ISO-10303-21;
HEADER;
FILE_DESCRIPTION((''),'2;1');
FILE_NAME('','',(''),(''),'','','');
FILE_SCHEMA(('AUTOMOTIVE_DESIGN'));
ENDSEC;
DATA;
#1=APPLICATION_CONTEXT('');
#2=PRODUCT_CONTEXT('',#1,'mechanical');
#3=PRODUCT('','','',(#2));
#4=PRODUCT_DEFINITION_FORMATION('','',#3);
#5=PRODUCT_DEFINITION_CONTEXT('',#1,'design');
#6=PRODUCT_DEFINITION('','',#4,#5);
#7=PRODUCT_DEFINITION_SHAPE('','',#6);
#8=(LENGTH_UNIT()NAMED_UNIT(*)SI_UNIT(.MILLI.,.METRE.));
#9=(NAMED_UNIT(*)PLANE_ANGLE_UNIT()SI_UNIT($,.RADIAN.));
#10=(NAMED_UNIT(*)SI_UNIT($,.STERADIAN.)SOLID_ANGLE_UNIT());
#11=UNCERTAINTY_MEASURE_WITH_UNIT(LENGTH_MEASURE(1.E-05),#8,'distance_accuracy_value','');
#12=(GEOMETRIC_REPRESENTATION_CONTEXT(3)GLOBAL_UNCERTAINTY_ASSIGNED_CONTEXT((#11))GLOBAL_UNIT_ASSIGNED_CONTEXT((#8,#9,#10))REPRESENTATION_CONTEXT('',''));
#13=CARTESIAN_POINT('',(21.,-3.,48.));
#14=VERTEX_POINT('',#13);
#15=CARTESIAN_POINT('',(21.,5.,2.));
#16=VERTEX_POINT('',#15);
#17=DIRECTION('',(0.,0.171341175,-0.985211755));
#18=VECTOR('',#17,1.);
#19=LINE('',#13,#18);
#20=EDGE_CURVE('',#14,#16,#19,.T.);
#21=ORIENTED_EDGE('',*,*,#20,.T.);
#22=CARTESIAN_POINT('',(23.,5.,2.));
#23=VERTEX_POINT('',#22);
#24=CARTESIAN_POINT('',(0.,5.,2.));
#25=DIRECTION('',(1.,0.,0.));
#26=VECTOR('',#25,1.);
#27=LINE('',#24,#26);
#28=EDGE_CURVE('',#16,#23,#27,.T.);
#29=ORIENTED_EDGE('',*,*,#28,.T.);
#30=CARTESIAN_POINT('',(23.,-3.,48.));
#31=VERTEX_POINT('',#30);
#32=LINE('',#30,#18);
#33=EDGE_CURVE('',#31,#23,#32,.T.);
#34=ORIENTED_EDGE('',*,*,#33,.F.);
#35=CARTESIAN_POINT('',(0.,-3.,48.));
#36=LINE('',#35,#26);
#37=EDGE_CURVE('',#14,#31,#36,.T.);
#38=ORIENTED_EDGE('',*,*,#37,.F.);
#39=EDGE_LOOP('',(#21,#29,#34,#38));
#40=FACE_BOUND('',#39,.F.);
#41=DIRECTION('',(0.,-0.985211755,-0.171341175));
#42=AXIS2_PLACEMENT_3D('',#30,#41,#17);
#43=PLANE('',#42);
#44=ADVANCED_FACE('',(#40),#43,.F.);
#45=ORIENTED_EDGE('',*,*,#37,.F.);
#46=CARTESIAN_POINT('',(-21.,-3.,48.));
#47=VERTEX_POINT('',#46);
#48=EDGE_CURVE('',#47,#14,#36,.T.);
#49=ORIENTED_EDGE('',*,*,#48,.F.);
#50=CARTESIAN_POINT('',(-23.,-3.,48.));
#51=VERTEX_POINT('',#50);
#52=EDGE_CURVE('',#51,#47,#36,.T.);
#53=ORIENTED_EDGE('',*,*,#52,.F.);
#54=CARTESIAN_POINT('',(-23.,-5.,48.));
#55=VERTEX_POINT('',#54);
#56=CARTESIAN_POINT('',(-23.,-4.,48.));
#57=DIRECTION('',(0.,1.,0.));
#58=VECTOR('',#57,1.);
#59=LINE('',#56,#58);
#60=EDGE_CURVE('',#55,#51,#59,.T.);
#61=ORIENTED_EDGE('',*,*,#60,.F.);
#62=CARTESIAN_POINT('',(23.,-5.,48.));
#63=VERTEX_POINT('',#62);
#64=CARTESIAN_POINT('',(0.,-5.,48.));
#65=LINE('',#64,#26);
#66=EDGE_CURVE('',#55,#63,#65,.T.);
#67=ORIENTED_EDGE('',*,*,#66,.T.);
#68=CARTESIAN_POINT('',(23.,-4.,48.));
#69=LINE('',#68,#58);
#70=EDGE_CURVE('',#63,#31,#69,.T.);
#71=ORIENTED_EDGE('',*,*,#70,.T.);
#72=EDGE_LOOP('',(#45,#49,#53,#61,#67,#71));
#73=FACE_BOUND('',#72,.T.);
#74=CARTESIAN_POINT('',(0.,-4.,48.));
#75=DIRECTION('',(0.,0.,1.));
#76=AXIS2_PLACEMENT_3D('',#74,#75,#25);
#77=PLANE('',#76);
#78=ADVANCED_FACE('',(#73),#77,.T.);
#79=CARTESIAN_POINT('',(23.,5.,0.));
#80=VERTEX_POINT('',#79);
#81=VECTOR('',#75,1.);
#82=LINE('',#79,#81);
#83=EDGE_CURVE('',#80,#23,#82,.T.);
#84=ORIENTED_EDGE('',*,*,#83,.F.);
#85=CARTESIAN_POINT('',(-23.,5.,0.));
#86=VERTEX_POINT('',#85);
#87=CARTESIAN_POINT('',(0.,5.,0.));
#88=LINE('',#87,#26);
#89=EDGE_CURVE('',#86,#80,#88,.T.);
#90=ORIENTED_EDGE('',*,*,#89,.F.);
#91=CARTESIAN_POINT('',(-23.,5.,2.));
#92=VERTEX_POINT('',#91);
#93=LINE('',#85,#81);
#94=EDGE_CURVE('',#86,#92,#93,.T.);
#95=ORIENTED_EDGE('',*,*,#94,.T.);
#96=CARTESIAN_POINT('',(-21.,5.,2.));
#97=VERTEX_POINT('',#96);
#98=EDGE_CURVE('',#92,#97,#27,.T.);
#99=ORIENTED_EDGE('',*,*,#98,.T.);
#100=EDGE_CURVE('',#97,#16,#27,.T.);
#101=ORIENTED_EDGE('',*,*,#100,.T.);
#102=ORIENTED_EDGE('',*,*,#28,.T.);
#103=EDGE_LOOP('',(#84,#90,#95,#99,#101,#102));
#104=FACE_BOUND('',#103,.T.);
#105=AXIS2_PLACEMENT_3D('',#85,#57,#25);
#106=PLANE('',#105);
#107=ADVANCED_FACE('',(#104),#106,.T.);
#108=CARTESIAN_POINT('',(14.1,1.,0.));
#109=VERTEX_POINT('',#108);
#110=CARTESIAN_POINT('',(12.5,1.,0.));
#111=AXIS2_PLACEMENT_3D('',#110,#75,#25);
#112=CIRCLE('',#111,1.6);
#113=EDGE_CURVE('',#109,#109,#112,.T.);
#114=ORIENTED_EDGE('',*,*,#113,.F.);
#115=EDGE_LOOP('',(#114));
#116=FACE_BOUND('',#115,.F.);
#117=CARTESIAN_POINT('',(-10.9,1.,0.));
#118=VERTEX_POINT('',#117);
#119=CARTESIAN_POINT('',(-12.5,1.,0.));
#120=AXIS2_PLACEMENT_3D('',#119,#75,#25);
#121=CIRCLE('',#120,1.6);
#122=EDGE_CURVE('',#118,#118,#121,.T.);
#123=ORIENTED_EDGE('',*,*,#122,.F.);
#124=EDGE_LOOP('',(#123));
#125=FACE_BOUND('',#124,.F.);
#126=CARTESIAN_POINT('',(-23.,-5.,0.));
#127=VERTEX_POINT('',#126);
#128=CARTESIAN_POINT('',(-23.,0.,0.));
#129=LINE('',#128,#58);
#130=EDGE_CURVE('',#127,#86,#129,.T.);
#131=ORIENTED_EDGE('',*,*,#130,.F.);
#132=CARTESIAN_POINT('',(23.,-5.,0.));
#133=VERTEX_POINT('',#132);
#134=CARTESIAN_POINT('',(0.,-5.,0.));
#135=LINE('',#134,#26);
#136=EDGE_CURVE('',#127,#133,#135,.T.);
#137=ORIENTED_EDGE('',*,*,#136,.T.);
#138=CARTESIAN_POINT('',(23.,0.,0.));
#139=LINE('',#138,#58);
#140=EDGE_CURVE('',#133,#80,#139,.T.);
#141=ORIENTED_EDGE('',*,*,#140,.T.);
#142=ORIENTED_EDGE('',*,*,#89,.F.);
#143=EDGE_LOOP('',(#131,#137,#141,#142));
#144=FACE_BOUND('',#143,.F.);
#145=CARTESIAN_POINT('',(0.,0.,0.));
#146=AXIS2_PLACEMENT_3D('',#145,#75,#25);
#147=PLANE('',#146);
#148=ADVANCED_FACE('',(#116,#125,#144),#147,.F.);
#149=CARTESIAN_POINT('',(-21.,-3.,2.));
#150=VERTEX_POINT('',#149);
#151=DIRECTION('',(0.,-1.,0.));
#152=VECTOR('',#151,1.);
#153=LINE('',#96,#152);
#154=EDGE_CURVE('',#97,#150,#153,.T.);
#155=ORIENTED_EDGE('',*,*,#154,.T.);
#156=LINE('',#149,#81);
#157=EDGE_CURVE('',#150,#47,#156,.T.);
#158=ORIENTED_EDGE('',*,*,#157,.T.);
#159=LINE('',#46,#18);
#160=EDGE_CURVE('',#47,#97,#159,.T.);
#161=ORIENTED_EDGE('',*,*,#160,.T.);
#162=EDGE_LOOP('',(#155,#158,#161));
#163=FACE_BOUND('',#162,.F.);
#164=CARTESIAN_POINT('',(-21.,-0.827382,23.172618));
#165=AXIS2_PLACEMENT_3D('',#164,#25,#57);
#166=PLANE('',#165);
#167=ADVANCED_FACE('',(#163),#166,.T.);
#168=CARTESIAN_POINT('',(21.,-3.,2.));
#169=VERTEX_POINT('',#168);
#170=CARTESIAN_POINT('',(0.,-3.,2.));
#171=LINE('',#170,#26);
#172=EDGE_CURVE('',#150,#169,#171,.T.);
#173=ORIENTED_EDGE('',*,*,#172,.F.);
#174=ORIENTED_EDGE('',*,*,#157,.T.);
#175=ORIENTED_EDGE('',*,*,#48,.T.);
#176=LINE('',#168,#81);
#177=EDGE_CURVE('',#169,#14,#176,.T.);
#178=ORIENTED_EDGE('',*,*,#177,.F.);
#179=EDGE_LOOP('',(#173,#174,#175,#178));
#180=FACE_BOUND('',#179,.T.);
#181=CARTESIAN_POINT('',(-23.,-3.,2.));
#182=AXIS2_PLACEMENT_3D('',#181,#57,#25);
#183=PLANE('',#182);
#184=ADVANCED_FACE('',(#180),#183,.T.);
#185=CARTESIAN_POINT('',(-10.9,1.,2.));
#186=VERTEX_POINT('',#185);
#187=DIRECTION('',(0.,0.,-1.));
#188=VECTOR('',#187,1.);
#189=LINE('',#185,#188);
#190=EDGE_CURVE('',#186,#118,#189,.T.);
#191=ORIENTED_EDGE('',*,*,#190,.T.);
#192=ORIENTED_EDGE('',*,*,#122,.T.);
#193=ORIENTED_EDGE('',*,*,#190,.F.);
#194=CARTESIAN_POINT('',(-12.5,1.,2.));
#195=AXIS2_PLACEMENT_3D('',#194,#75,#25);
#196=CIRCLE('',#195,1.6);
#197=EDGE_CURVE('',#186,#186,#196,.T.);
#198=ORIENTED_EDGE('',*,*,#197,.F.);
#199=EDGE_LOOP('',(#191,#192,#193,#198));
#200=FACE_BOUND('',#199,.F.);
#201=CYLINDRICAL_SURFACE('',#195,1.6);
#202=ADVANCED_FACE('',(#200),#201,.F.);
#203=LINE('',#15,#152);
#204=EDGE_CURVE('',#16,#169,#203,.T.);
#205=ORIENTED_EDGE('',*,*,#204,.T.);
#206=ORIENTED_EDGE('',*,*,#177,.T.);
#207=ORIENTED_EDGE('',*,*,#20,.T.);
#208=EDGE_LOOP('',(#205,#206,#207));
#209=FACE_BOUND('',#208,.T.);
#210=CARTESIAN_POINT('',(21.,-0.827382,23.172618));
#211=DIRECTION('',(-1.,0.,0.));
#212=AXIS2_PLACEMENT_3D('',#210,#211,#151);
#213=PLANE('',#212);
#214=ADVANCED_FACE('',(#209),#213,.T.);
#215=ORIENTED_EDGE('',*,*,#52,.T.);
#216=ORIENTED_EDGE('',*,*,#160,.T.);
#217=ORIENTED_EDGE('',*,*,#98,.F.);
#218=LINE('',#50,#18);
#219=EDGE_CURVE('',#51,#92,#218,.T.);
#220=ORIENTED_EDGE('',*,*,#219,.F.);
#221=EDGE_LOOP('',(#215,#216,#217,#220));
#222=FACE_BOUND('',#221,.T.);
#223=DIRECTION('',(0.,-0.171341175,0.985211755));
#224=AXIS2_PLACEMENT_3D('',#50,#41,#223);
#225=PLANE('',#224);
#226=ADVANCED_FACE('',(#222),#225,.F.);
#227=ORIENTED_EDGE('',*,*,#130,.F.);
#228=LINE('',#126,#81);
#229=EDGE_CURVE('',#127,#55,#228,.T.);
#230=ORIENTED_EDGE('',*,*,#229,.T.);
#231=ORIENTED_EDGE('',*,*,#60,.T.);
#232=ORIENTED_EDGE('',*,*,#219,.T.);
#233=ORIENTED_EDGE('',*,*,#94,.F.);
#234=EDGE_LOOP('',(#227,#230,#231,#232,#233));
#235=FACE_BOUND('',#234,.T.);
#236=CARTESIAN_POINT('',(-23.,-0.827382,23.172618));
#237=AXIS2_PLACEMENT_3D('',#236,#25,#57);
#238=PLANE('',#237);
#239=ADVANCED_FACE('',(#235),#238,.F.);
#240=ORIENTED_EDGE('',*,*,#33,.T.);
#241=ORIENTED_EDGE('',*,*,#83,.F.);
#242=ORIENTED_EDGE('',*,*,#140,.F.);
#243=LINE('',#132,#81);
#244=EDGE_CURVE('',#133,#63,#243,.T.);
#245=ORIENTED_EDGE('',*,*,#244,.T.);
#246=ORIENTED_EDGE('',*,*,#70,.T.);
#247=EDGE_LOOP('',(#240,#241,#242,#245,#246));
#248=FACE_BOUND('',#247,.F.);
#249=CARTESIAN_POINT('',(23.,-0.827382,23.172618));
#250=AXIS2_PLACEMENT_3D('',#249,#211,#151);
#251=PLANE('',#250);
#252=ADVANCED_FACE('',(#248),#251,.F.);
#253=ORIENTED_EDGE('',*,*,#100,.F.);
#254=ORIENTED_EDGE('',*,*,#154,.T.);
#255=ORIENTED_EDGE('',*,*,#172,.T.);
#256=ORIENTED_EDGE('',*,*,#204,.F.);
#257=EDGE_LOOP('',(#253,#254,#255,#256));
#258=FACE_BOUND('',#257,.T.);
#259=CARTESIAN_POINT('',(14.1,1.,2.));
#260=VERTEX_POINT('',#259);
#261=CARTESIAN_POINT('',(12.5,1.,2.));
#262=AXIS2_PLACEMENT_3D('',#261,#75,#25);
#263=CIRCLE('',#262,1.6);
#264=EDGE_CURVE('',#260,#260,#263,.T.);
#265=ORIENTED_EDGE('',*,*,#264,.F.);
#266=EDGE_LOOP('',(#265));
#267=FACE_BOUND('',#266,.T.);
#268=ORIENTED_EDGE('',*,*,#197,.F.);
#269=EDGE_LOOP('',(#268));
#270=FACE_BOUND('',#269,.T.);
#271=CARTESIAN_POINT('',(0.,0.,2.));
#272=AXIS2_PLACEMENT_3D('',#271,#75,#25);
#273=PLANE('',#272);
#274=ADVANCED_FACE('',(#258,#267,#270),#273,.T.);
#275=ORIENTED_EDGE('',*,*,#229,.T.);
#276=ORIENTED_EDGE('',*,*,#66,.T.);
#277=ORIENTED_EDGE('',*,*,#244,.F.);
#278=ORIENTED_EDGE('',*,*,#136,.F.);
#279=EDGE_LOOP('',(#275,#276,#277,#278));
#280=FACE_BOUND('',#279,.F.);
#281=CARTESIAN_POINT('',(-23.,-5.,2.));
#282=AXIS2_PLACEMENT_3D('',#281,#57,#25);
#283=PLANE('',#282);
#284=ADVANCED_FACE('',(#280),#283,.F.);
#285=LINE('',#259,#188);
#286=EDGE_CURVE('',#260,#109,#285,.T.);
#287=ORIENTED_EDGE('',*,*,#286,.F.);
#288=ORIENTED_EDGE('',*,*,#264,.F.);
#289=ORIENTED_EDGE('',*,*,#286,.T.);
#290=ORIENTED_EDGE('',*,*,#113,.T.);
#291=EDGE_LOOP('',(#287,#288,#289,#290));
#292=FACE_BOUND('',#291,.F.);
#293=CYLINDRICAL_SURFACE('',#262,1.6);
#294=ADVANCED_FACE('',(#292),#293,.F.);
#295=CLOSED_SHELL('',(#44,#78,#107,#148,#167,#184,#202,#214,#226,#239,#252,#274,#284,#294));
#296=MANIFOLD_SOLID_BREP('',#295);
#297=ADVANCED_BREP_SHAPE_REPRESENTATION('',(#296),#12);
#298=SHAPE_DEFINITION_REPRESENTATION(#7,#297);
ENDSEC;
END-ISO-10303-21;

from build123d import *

# Parameters (mm, degrees)
SKETCH_W     = 46
SKETCH_H     = 10
PAD_DEPTH    = 2
SKETCH001_W  = 46
SKETCH001_H  = 2
PAD001_DEPTH = 46
PAD002_DEPTH = 2
SKETCH003_R  = 1.6
POCKET_DEPTH = 2.001


with BuildPart() as part:
    # Sketch → Pad (new body)
    with BuildSketch(Plane.XY):
        Rectangle(SKETCH_W, SKETCH_H)
    extrude(amount=PAD_DEPTH)

    # Sketch001 (on Face6 of Pad) → Pad001 (join)
    with BuildSketch(Plane.XY.offset(2)):
        with Locations((0, -4)):
            Rectangle(SKETCH001_W, SKETCH001_H)
    extrude(amount=PAD001_DEPTH)

    # Sketch002 (on Face8 of Pad001) → Pad002 (join)
    with BuildSketch(Plane.YZ.offset(23)):
        Polygon((-3, 48), (5, 2), (-3, 2), align=None)
    pad002 = extrude(amount=-PAD002_DEPTH)

    # Mirrored: Pad002 across YZ
    add(pad002.mirror(Plane.YZ))

    # Sketch003 (on Face5 of Mirrored) → Pocket (cut, through all)
    with BuildSketch(Plane.XY.offset(2)):
        with Locations((-12.5, 1)):
            Circle(SKETCH003_R)
        with Locations((12.5, 1)):
            Circle(SKETCH003_R)
    extrude(amount=-POCKET_DEPTH, mode=Mode.SUBTRACT)


solid = part.part
